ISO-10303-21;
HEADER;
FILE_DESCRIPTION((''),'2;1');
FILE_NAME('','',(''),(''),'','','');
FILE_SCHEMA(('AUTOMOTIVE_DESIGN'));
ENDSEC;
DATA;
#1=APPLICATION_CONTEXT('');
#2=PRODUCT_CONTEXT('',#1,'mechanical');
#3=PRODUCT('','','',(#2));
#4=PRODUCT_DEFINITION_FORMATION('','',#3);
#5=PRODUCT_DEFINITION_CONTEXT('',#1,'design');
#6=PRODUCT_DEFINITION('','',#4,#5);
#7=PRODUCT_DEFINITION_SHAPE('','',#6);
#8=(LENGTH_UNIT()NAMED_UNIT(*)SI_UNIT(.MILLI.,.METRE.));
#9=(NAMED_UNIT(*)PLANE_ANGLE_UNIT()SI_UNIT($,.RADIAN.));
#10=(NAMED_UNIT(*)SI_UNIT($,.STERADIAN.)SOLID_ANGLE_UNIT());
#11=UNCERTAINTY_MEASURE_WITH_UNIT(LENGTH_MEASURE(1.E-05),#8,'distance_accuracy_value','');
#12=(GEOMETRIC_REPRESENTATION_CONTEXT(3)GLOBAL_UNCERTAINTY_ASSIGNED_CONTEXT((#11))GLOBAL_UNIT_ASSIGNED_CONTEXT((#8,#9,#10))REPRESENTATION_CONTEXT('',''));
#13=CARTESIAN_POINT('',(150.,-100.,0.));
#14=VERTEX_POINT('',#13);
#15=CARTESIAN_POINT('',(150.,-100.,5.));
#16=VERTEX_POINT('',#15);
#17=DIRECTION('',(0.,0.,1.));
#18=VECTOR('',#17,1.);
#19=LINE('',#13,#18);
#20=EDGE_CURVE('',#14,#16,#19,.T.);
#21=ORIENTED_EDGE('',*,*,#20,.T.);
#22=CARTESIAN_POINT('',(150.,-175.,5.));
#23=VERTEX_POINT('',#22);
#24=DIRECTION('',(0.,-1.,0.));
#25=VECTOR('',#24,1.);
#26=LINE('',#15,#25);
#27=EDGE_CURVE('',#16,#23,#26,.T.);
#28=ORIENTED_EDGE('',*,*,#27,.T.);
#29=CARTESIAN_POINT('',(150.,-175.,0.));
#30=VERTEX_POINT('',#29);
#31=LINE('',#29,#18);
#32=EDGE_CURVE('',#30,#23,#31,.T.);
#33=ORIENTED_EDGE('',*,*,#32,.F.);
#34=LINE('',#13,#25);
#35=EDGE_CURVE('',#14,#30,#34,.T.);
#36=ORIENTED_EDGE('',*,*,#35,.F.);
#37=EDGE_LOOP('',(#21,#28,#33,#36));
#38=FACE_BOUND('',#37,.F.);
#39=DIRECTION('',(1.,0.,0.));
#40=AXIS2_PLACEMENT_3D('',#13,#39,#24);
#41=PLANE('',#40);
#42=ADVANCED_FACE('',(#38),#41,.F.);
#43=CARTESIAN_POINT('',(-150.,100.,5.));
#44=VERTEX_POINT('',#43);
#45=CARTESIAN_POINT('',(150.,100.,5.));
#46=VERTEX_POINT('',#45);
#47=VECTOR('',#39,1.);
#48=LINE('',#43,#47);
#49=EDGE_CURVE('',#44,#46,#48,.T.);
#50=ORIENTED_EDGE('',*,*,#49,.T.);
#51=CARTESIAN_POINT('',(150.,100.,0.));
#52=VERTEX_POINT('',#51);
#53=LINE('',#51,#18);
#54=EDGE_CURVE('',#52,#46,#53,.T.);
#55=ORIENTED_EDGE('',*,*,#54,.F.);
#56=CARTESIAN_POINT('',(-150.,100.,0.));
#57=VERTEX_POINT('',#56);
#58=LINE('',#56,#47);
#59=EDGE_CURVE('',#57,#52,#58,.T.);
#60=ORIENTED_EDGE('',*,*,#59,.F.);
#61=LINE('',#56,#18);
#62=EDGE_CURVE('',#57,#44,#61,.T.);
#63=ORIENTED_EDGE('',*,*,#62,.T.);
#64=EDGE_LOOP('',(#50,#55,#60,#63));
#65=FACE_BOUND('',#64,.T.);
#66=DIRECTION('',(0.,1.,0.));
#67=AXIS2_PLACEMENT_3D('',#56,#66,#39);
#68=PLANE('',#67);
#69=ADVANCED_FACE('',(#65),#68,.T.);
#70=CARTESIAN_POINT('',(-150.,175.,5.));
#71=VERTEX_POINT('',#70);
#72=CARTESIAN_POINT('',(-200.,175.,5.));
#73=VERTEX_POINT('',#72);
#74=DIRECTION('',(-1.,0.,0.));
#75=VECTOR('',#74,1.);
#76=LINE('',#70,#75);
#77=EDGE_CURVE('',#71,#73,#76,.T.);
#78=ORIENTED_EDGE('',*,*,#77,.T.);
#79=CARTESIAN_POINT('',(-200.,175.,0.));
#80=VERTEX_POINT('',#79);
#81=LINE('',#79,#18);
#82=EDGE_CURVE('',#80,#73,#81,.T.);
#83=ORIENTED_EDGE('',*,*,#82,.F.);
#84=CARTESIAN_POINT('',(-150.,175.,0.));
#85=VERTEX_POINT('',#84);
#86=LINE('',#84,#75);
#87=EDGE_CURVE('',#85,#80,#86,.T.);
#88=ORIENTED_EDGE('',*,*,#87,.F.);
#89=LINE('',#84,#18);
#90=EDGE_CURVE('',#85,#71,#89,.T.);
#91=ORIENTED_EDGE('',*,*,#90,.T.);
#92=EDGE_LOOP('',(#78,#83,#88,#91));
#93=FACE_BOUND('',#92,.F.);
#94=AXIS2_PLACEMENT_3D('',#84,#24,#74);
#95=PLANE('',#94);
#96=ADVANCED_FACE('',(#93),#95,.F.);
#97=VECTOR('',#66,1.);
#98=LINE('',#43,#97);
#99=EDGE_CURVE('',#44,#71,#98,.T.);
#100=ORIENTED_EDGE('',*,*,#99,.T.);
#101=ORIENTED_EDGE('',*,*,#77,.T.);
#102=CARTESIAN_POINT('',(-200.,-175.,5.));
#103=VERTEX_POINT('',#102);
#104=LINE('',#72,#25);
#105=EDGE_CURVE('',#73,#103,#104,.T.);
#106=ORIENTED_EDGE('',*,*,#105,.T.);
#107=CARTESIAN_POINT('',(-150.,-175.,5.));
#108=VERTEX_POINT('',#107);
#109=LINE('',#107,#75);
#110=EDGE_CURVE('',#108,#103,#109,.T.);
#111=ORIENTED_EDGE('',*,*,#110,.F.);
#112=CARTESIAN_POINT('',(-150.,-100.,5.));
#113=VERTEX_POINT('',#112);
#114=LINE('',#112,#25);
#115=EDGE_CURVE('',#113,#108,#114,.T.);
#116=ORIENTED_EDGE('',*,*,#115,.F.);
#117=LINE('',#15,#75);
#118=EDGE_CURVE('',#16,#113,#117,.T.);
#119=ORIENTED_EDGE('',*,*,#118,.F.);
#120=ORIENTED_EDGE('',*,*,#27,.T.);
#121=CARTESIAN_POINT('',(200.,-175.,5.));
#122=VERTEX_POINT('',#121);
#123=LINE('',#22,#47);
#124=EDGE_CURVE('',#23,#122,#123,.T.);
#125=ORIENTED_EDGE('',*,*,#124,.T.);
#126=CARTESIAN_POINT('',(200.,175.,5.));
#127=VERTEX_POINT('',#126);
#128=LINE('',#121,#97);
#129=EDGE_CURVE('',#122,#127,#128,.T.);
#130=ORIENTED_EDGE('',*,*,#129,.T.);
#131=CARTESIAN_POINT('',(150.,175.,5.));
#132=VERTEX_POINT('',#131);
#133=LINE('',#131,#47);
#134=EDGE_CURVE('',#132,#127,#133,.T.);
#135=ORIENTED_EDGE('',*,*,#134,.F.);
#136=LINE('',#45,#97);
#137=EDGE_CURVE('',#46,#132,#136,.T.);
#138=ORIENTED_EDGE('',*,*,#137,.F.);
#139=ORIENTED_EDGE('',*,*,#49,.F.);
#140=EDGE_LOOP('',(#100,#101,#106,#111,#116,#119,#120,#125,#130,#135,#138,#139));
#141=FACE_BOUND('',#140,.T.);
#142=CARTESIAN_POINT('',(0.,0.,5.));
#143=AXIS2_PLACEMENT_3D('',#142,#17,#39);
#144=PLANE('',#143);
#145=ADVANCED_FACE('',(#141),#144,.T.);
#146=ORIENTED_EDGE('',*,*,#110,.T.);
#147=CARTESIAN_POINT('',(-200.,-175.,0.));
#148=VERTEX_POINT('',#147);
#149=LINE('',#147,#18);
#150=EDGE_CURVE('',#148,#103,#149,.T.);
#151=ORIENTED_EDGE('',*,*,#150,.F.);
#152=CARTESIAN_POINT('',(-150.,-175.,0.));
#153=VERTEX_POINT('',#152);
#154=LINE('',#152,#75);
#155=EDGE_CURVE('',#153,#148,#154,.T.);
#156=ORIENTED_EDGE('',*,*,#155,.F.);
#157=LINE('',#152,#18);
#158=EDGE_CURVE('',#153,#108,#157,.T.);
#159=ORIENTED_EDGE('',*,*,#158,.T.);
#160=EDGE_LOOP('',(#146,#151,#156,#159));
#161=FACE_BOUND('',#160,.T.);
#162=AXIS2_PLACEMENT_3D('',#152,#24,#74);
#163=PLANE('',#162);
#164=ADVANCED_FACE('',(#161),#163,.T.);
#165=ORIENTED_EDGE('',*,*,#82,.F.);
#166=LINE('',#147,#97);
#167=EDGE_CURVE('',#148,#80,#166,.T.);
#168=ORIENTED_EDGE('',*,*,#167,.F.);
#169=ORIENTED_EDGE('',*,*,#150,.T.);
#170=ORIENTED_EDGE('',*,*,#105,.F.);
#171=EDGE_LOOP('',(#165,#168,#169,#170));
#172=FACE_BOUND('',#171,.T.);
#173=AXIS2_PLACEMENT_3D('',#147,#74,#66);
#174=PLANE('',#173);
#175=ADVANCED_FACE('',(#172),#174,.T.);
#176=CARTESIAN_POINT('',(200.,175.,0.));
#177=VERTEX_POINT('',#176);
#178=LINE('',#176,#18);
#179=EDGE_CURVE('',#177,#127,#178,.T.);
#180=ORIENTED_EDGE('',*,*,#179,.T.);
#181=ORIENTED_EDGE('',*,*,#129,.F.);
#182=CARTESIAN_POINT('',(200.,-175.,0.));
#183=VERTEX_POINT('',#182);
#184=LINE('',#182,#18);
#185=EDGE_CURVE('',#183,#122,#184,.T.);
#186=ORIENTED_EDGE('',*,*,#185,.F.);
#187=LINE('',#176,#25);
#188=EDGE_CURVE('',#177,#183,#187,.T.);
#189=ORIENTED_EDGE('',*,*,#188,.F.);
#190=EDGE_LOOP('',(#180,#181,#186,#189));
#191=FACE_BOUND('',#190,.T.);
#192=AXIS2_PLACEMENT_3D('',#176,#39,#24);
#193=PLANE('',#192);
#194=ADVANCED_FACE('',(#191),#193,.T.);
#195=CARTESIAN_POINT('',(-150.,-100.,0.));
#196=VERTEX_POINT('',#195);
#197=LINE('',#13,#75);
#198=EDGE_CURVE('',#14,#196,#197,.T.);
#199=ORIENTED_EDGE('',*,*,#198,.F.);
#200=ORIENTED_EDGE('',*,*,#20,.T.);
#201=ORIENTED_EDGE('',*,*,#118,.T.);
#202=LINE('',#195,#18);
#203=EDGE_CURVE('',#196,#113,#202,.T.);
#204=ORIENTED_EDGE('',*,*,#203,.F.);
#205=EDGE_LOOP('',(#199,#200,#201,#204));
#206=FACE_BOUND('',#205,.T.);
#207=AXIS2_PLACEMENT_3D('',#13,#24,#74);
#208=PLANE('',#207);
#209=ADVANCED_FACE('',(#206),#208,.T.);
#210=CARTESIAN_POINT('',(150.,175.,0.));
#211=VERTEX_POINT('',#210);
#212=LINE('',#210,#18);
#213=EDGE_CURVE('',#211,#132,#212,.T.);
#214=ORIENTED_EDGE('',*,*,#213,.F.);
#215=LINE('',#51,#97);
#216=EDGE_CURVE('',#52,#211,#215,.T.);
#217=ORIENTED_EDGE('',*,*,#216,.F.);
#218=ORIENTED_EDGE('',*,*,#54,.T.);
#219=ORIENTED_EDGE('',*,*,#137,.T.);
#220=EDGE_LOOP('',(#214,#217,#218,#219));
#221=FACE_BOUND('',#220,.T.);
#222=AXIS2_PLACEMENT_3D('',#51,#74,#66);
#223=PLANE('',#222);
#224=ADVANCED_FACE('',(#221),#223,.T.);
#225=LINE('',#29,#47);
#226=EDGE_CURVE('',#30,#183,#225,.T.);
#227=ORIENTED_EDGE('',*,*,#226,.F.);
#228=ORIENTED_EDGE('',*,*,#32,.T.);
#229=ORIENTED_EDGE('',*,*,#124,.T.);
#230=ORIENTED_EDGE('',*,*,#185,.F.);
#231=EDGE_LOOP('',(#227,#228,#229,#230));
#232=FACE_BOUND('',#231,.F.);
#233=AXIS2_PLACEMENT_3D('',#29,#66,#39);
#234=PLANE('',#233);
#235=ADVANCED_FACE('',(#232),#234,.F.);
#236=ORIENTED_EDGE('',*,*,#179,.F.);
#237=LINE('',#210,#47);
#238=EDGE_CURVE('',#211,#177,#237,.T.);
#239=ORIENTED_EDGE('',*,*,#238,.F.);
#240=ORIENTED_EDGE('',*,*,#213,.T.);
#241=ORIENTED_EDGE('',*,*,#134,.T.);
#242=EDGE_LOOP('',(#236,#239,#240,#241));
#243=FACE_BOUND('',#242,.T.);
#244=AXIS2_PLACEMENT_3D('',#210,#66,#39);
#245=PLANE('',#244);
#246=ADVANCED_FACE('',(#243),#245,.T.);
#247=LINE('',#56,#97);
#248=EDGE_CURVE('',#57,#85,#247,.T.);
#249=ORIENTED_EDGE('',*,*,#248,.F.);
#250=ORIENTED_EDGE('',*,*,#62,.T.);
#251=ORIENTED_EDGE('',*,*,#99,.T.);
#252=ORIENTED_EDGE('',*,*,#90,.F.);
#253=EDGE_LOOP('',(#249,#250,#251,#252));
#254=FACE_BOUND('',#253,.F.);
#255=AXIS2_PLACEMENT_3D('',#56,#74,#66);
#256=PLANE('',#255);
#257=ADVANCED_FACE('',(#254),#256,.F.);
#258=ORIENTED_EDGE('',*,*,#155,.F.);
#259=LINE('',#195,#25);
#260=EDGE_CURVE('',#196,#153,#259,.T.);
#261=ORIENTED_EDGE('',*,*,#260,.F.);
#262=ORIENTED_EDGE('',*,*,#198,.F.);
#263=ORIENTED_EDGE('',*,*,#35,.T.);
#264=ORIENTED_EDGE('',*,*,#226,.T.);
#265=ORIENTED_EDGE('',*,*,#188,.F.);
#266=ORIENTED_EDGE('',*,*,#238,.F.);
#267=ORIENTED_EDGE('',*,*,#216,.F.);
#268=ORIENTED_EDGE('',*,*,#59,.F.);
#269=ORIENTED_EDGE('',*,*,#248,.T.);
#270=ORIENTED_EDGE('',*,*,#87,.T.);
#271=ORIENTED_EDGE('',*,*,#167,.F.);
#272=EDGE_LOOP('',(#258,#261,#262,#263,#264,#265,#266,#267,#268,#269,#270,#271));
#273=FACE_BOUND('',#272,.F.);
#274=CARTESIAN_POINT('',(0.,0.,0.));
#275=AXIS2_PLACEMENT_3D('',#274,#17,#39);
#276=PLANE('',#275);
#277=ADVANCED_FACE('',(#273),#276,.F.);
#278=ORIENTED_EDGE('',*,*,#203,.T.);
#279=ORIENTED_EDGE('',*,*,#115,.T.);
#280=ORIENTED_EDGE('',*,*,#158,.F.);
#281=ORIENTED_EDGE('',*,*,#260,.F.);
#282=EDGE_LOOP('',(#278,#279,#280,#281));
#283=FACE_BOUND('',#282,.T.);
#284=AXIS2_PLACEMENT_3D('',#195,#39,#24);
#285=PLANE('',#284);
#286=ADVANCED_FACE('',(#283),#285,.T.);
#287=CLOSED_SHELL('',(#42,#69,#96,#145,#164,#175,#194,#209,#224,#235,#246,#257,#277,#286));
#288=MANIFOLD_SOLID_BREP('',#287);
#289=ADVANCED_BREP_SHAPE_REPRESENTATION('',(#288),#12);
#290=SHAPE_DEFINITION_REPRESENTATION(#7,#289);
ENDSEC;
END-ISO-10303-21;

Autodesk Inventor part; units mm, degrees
ref_plane "YZ Plane" through (0, 0, 0) normal (1, 0, 0) x (0, 1, 0)
ref_plane "XZ Plane" through (0, 0, 0) normal (0, 1, 0) x (-1, 0, 0)
ref_plane "XY Plane" through (0, 0, 0) normal (0, 0, 1) x (1, 0, 0)
sketch "Skizze1" plane through (0, 0, 0) normal (0, 0, 1) x (1, 0, 0)
  line L0 (-150, 100) -> (150, 100)
  line L1 (200, 100) -> (200, -100)
  line L2 (150, -100) -> (-150, -100)
  line L3 (-200, -100) -> (-200, 100)
  line L4 (-305.5062, 0) -> (363.7655, 0) construction
  line L5 (0, 250.7333) -> (0, -254.4177) construction
  line L6 (-200, 100) -> (-150, 100)
  line L7 (-150, 100) -> (-150, 175)
  line L8 (-150, 175) -> (-200, 175)
  line L9 (-200, 175) -> (-200, 100)
  line L10 (150, 100) -> (150, 175)
  line L11 (150, 175) -> (200, 175)
  line L12 (200, 175) -> (200, 100)
  line L13 (-150, -100) -> (-150, -175)
  line L14 (-150, -175) -> (-200, -175)
  line L15 (-200, -175) -> (-200, -100)
  line L16 (150, -175) -> (200, -175)
  line L17 (150, -100) -> (150, -175)
  line L18 (200, -175) -> (200, -100)
  point P0 (0, 0)
  dimension "d0" = 400
  dimension "d1" = 200
  dimension "d2" = 50
  dimension "d3" = 75
extrude "Extrusion1" add sketch "Skizze1" along normal blind 5
properties part number "Platte"
